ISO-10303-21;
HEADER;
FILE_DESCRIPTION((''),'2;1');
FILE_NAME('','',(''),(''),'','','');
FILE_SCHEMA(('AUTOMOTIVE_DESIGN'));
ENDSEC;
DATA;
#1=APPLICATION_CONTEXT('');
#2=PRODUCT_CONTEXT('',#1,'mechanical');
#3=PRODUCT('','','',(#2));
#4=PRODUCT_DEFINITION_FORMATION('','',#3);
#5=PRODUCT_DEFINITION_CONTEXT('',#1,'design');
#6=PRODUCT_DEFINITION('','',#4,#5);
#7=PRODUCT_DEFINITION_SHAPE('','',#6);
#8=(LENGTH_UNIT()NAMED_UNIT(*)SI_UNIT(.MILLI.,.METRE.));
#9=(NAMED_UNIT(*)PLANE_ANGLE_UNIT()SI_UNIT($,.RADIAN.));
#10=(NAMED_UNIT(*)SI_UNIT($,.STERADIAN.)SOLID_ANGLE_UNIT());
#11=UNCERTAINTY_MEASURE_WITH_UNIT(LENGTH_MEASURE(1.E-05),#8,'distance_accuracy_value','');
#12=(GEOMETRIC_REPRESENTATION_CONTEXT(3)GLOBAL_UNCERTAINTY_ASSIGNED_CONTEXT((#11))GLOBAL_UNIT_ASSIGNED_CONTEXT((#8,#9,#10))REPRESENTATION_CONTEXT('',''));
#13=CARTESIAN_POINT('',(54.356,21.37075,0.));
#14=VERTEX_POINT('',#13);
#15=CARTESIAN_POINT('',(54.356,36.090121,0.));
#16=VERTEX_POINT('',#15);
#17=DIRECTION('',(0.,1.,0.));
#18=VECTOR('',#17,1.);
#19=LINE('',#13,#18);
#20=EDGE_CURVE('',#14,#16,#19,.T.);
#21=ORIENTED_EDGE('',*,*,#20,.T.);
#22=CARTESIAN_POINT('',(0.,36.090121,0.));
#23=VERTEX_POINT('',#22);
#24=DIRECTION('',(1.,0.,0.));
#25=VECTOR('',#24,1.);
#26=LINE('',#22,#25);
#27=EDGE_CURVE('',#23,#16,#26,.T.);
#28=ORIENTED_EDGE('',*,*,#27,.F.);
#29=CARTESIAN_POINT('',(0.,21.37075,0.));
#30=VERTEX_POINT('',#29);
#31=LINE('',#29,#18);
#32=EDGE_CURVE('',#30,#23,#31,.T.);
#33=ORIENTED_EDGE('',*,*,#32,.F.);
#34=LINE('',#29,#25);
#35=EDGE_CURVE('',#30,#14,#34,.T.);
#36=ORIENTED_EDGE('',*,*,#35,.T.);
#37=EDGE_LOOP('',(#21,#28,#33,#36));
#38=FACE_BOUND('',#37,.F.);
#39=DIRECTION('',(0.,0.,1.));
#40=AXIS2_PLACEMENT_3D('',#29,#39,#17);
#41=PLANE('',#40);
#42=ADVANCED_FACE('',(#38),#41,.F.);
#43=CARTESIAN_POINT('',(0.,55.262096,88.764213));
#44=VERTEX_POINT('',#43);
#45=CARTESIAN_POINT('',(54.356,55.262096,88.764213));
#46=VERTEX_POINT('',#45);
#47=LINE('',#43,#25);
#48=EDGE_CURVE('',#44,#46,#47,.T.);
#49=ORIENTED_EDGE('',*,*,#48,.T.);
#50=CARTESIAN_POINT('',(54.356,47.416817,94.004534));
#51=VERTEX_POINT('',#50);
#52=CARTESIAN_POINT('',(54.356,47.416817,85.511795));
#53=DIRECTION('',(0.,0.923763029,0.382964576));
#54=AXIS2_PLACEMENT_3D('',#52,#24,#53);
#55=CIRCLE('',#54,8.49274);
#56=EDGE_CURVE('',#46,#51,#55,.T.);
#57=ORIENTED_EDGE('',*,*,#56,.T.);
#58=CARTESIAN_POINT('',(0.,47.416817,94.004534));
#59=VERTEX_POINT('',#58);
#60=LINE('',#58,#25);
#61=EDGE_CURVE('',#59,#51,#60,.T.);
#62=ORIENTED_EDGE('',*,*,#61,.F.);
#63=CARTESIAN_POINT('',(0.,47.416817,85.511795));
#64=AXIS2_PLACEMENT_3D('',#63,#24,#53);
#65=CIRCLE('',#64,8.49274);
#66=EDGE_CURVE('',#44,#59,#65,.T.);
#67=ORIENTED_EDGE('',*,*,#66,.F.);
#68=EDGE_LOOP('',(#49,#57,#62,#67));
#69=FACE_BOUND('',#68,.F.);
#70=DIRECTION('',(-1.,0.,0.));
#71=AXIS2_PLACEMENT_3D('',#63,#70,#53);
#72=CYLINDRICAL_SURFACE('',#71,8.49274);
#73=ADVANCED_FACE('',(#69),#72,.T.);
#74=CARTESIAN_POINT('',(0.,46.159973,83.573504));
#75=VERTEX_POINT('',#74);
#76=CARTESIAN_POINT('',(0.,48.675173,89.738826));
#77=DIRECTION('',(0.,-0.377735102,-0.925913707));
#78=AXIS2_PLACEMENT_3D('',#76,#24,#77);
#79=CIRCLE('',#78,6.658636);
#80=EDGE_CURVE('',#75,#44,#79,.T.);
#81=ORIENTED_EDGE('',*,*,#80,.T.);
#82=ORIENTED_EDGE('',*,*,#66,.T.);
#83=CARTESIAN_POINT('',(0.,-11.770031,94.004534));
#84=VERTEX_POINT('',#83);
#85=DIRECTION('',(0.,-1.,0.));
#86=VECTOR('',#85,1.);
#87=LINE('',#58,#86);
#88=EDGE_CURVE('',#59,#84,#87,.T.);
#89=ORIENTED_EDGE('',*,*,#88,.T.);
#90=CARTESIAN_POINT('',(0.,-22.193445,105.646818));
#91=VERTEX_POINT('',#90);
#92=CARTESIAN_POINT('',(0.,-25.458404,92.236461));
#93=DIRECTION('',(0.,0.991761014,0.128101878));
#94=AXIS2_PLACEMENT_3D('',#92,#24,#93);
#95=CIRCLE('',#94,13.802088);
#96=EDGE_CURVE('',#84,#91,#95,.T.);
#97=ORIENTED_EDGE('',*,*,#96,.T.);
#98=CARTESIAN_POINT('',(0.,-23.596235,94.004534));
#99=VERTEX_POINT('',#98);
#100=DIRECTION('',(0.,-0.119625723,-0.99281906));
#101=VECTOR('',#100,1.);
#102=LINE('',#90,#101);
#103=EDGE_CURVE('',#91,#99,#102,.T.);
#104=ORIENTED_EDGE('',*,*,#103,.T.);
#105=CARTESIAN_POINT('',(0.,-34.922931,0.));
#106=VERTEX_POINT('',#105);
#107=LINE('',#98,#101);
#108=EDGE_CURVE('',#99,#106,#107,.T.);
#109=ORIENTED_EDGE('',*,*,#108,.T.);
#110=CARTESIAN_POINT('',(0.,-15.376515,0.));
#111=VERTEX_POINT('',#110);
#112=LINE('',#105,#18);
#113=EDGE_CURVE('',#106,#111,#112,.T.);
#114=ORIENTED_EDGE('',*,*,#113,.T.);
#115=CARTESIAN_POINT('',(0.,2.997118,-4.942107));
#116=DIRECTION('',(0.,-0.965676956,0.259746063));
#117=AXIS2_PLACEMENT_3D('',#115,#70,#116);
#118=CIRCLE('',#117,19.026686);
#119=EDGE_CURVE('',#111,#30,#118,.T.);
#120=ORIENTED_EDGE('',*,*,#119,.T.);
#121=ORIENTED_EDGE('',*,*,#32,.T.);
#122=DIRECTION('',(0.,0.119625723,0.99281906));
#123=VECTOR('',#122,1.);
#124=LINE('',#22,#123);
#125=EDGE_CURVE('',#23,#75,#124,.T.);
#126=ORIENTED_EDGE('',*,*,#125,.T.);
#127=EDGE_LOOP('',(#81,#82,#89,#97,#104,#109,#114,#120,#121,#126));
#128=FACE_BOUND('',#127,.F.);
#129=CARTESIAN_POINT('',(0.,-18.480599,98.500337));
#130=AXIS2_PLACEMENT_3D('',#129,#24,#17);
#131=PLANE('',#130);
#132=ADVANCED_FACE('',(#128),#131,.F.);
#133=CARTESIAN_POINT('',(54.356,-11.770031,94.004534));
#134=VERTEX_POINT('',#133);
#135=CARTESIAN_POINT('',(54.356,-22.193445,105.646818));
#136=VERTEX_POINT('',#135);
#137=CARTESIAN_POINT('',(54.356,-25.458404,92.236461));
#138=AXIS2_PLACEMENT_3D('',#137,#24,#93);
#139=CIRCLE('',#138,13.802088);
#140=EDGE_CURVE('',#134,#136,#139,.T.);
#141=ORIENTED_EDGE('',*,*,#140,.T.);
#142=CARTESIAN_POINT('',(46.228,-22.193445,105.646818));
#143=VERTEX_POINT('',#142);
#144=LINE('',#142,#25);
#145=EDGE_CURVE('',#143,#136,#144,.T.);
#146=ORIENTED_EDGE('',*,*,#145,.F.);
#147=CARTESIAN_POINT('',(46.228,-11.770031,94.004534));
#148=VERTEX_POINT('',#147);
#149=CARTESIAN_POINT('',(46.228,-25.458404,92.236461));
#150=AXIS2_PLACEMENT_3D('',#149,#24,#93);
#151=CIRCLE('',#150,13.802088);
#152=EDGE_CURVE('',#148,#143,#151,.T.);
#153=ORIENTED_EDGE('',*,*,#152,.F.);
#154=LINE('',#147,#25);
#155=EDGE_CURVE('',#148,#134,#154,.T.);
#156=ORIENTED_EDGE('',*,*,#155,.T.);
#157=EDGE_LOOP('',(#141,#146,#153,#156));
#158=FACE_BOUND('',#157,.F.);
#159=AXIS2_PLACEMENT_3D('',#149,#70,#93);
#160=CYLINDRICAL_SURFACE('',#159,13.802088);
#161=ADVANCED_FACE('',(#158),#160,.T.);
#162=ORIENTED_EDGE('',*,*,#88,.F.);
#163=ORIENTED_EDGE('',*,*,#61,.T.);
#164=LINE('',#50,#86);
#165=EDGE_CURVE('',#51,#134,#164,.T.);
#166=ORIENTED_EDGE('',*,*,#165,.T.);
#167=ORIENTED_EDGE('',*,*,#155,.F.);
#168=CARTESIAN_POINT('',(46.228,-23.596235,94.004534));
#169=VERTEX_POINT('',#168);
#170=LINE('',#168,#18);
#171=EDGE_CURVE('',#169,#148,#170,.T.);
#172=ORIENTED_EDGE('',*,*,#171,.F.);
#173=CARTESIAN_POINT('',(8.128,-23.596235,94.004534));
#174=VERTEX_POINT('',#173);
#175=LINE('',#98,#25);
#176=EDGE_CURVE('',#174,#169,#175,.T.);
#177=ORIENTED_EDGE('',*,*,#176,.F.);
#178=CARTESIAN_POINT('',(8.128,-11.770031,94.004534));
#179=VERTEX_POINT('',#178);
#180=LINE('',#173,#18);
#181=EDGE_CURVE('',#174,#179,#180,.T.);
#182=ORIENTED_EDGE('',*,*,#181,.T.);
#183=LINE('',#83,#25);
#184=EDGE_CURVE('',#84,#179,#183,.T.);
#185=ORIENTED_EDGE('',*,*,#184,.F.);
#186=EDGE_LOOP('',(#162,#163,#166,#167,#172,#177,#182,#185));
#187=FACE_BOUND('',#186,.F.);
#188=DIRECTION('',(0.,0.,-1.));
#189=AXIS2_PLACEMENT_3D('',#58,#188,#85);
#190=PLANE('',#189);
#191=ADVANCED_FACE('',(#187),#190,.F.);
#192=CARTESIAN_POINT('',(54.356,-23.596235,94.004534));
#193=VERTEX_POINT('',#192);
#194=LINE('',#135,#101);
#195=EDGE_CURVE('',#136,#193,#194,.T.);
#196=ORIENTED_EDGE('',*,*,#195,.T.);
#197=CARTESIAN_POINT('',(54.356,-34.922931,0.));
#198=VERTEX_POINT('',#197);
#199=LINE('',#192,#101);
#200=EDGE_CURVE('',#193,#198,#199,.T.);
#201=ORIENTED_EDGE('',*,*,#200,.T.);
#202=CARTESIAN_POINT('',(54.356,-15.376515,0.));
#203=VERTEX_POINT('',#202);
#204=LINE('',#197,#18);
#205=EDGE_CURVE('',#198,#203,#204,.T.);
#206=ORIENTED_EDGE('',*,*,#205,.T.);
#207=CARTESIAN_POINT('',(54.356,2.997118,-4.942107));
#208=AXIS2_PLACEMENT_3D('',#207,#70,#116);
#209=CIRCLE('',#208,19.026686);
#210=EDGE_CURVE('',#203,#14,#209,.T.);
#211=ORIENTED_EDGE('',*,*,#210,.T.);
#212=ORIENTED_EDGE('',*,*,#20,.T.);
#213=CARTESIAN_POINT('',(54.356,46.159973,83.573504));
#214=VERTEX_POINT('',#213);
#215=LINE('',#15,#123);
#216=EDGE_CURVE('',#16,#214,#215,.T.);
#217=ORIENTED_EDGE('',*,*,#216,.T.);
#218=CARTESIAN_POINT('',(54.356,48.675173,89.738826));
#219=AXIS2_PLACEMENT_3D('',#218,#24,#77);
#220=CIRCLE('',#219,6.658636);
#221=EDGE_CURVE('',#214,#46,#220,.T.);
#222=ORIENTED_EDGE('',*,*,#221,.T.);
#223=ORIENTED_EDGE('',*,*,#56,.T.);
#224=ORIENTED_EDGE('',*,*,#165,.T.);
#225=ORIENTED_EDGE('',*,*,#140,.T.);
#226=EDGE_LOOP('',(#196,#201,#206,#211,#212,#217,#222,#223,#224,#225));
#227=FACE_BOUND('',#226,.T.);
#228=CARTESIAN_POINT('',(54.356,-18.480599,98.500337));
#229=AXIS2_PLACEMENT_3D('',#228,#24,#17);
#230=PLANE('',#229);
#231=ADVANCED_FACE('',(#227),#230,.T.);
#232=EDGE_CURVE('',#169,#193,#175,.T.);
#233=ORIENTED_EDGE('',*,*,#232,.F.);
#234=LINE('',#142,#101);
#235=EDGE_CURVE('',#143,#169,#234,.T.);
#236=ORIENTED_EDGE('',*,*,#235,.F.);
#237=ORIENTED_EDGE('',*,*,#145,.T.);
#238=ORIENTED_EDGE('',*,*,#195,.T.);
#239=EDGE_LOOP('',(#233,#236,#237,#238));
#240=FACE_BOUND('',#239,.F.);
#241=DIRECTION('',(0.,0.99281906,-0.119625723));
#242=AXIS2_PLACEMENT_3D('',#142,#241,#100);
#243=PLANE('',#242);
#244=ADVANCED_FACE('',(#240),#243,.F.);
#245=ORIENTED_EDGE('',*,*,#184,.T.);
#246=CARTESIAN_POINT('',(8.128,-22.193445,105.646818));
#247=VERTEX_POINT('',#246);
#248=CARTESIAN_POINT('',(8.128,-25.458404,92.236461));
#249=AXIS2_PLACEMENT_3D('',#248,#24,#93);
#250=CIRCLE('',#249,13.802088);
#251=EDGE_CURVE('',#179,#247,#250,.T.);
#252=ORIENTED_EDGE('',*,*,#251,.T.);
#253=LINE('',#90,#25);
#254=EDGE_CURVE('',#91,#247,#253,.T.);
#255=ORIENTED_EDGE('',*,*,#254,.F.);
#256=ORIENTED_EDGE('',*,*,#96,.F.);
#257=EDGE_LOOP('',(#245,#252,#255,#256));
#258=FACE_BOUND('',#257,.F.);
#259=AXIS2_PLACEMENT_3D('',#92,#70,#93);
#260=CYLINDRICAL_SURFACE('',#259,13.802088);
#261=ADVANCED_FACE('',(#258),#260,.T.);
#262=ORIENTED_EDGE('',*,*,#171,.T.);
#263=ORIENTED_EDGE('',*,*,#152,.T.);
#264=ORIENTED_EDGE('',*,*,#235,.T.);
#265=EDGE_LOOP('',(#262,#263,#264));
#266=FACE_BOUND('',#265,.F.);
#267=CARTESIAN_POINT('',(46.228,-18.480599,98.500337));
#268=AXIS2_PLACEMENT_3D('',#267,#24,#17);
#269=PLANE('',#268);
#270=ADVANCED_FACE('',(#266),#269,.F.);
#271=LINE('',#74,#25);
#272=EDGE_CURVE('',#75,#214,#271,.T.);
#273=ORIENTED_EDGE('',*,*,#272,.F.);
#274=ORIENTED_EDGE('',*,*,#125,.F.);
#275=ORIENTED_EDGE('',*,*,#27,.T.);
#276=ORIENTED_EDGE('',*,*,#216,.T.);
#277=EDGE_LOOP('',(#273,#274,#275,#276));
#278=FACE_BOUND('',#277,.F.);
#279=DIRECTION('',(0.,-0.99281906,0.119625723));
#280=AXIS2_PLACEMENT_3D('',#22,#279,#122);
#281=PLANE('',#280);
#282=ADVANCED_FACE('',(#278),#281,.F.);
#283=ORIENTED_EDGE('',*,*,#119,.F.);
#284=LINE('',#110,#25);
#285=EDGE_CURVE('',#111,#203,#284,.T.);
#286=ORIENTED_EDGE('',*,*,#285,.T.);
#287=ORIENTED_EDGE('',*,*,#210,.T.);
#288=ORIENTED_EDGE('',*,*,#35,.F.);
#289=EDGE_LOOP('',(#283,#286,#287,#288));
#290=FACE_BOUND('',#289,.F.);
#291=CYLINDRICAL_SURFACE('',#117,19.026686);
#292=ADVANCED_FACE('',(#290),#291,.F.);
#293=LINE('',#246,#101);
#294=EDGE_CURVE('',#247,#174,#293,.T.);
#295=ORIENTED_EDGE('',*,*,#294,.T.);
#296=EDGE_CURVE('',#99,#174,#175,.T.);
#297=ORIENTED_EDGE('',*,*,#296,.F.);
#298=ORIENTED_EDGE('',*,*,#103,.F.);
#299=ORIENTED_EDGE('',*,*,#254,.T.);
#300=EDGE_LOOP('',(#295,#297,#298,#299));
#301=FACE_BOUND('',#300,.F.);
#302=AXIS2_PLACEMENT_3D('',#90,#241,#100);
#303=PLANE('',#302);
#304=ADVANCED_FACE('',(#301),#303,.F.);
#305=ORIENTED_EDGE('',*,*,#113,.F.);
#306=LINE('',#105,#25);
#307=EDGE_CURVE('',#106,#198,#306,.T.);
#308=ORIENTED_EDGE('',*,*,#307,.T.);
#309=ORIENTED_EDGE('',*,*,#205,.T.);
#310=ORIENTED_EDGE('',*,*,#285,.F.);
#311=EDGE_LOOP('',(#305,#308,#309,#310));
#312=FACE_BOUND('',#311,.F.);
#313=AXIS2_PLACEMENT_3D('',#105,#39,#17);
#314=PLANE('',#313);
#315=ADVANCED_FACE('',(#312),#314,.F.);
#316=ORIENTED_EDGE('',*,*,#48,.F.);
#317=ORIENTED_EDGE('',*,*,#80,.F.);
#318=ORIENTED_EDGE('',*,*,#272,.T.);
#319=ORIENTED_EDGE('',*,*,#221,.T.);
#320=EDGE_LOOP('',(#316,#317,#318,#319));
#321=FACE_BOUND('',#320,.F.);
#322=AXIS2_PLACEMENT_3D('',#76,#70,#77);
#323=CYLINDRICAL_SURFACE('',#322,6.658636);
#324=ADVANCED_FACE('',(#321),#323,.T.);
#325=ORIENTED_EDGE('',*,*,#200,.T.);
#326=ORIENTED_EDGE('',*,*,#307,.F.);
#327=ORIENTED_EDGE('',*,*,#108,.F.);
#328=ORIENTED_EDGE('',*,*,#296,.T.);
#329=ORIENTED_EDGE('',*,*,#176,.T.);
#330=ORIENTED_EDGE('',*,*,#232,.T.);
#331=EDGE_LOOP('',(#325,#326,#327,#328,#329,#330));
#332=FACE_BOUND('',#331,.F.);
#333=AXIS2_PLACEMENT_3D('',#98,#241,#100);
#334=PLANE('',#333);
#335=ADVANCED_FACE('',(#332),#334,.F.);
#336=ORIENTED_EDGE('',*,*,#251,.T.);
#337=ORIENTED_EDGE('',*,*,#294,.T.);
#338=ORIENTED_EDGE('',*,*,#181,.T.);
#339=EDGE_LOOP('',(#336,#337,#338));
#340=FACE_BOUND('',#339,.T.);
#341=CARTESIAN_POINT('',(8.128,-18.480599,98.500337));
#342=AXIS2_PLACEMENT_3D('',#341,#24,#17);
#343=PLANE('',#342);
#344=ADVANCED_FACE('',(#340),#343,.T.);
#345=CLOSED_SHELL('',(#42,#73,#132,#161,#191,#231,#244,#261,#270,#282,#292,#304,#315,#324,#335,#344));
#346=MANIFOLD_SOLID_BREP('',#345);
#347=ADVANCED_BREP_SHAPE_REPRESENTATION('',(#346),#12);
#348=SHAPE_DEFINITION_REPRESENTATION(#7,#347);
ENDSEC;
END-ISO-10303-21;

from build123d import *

# Parameters (mm, degrees)
F1_DEPTH = 54.356
F2_DEPTH = 8.128
F3_START = 38.1
F3_DEPTH = 8.128


with BuildPart() as f1:
    # F0 (on Right) → F1 (new body)
    with BuildSketch(Plane.YZ):
        with BuildLine():
            ThreePointArc((-15.3765147552, 0), (2.9971175827, 14.084579319), (21.3707499206, 0))
            Line((21.3707499206, 0), (36.0901206732, 0))
            Line((36.0901206732, 0), (46.1599725041, 83.5735037118))
            Line((46.1599725041, 83.5735037118), (47.4168173969, 94.0045341849))
            Line((47.4168173969, 94.0045341849), (-11.7700314149, 94.0045341849))
            Line((-11.7700314149, 94.0045341849), (-23.5962346196, 94.0045341849))
            Line((-23.5962346196, 94.0045341849), (-34.9229313433, 0))
            Line((-34.9229313433, 0), (-15.3765147552, 0))
        make_face()
        with BuildLine():
            Line((47.4168173969, 94.0045341849), (46.1599725041, 83.5735037118))
            ThreePointArc((46.1599725041, 83.5735037118), (51.9737480075, 83.9546377095), (55.2620962262, 88.7642130256))
            ThreePointArc((55.2620962262, 88.7642130256), (52.1340561486, 92.5739673663), (47.4168173969, 94.0045341849))
        make_face()
    extrude(amount=F1_DEPTH)

    # F0 (on Right) → F2 (join)
    with BuildSketch(Plane.YZ):
        with BuildLine():
            Line((-22.1934446874, 105.6468176636), (-23.5962346196, 94.0045341849))
            Line((-23.5962346196, 94.0045341849), (-11.7700314149, 94.0045341849))
            ThreePointArc((-11.7700314149, 94.0045341849), (-15.1754299061, 101.4428755336), (-22.1934446874, 105.6468176636))
        make_face()
    extrude(amount=F2_DEPTH)

    # F2_face (on face) → F3 (join)
    with BuildSketch(Plane(origin=(8.128, -18.3884037898, 98.5907501288), x_dir=(0, 1, 0), z_dir=(1, 0, 0)).offset(F3_START)):
        with BuildLine():
            ThreePointArc((6.6183723749, -4.5862159439), (3.2129738836, 2.8521254048), (-3.8050408977, 7.0560675348))
            Line((-3.8050408977, 7.0560675348), (-5.2078308298, -4.5862159439))
            Line((-5.2078308298, -4.5862159439), (6.6183723749, -4.5862159439))
        make_face()
    extrude(amount=F3_DEPTH)


solid = f1.part
